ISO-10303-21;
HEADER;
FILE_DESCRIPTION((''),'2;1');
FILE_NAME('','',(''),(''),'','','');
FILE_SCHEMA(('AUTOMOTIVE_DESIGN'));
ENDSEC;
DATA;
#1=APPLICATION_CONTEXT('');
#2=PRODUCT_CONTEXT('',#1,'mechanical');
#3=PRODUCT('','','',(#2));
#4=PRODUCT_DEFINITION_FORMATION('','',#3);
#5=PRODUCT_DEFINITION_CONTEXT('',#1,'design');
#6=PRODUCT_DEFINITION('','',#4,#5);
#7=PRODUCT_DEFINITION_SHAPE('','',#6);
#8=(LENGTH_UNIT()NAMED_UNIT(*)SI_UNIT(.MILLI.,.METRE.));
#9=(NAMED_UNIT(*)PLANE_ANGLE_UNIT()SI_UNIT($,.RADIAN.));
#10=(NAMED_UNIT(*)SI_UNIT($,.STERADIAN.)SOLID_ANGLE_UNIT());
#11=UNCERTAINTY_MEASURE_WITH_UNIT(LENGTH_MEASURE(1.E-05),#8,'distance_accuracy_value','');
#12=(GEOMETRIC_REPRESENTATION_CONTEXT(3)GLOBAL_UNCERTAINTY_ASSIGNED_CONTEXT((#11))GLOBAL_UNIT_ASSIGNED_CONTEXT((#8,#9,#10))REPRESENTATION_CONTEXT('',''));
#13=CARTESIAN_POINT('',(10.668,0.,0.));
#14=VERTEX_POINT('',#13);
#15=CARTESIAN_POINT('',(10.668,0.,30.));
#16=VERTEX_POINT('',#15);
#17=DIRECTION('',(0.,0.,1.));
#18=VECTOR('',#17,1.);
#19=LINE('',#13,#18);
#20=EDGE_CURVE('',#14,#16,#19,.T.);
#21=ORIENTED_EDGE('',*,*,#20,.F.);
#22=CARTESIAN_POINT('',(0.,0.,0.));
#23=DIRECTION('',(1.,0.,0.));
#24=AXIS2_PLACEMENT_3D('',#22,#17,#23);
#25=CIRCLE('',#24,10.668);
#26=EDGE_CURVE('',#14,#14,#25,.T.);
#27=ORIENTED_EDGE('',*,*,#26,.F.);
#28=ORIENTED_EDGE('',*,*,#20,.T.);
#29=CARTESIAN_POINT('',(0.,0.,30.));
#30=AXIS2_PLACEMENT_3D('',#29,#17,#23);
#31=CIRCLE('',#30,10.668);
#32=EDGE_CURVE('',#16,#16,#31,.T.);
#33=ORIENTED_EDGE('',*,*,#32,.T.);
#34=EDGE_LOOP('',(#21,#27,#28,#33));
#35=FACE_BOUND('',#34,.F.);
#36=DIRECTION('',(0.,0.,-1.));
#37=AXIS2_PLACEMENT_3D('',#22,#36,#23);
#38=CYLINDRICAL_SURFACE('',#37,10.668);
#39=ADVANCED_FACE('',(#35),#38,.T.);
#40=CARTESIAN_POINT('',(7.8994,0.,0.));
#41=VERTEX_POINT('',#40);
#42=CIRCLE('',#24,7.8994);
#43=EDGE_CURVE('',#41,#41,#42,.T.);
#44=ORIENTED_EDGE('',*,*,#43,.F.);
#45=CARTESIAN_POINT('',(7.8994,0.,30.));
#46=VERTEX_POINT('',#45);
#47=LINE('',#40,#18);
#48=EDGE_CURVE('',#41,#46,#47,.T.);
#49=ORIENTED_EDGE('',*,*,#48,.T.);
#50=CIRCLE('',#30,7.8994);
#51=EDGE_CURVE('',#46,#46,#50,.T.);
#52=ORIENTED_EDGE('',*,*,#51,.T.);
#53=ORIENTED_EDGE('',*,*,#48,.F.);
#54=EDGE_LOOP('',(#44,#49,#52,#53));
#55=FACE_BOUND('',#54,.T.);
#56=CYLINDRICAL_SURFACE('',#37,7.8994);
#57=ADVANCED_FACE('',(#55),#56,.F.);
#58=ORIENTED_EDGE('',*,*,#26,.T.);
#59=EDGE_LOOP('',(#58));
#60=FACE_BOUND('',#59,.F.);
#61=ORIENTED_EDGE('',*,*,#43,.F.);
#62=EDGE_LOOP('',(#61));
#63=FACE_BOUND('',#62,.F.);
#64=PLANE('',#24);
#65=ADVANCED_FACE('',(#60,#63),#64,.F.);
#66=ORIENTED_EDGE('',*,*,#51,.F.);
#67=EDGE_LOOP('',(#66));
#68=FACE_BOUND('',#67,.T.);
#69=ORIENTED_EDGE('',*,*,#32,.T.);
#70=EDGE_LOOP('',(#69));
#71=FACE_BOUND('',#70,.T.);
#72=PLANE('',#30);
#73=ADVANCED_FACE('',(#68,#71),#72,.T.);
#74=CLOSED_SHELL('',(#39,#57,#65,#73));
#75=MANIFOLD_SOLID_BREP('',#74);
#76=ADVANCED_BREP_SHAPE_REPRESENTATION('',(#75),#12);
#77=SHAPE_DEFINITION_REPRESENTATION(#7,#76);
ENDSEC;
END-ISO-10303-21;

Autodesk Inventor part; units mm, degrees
ref_plane "YZ Plane" through (0, 0, 0) normal (1, 0, 0) x (0, 1, 0)
ref_plane "Start Plane" through (0, 0, 0) normal (0, 0, 1) x (1, 0, 0)
ref_plane "End Plane" through (0, 0, 30) normal (0, 0, 1) x (1, 0, 0)
sketch "Sketch" plane through (0, 0, 0) normal (0, 0, 1) x (1, 0, 0)
  circle A0 centre (0, 0) radius 7.8994
  circle A1 centre (0, 0) radius 10.668
  dimension "d0" = 21.336
  dimension "d1" = 2.7686
extrude "Body" add sketch "Sketch" along normal up to surface (30 mm away) from surface at 0
sketch "Sketch3" plane through (0, 0, 0) normal (0, 0, 1) x (1, 0, 0)
  line L0 (0, 0) -> (10, 0)
ref_plane "Work Plane3" through (0, 0, 0) normal (0, -1, 0) x (1, 0, 0)
sketch "Sketch4" plane through (0, 0, 0) normal (0, -1, 0) x (1, 0, 0)
  line L0 (-2, 0) -> (12, 0) projected
  line L1 (-2, 30) -> (12, 30) projected
  dimension "d7" = 30
equation "\"d0\" = G_H"
equation "\"d1\" = G_T"
equation "\"d2\" = G_L"
equation "\"G_H\" = 21.336"
equation "\"G_T\" = 2.7686"
equation "\"G_L\" = d7"
equation "\"G_OFFSET_START\" = 0"
equation "\"G_OFFSET_END\" = 0"
equation "\"d5\" = G_OFFSET_END + B_L"
equation "\"B_L\" = 30"
properties part number "ANSI - 1/2 x 0.109 - 1.181" material "Steel, Mild"
